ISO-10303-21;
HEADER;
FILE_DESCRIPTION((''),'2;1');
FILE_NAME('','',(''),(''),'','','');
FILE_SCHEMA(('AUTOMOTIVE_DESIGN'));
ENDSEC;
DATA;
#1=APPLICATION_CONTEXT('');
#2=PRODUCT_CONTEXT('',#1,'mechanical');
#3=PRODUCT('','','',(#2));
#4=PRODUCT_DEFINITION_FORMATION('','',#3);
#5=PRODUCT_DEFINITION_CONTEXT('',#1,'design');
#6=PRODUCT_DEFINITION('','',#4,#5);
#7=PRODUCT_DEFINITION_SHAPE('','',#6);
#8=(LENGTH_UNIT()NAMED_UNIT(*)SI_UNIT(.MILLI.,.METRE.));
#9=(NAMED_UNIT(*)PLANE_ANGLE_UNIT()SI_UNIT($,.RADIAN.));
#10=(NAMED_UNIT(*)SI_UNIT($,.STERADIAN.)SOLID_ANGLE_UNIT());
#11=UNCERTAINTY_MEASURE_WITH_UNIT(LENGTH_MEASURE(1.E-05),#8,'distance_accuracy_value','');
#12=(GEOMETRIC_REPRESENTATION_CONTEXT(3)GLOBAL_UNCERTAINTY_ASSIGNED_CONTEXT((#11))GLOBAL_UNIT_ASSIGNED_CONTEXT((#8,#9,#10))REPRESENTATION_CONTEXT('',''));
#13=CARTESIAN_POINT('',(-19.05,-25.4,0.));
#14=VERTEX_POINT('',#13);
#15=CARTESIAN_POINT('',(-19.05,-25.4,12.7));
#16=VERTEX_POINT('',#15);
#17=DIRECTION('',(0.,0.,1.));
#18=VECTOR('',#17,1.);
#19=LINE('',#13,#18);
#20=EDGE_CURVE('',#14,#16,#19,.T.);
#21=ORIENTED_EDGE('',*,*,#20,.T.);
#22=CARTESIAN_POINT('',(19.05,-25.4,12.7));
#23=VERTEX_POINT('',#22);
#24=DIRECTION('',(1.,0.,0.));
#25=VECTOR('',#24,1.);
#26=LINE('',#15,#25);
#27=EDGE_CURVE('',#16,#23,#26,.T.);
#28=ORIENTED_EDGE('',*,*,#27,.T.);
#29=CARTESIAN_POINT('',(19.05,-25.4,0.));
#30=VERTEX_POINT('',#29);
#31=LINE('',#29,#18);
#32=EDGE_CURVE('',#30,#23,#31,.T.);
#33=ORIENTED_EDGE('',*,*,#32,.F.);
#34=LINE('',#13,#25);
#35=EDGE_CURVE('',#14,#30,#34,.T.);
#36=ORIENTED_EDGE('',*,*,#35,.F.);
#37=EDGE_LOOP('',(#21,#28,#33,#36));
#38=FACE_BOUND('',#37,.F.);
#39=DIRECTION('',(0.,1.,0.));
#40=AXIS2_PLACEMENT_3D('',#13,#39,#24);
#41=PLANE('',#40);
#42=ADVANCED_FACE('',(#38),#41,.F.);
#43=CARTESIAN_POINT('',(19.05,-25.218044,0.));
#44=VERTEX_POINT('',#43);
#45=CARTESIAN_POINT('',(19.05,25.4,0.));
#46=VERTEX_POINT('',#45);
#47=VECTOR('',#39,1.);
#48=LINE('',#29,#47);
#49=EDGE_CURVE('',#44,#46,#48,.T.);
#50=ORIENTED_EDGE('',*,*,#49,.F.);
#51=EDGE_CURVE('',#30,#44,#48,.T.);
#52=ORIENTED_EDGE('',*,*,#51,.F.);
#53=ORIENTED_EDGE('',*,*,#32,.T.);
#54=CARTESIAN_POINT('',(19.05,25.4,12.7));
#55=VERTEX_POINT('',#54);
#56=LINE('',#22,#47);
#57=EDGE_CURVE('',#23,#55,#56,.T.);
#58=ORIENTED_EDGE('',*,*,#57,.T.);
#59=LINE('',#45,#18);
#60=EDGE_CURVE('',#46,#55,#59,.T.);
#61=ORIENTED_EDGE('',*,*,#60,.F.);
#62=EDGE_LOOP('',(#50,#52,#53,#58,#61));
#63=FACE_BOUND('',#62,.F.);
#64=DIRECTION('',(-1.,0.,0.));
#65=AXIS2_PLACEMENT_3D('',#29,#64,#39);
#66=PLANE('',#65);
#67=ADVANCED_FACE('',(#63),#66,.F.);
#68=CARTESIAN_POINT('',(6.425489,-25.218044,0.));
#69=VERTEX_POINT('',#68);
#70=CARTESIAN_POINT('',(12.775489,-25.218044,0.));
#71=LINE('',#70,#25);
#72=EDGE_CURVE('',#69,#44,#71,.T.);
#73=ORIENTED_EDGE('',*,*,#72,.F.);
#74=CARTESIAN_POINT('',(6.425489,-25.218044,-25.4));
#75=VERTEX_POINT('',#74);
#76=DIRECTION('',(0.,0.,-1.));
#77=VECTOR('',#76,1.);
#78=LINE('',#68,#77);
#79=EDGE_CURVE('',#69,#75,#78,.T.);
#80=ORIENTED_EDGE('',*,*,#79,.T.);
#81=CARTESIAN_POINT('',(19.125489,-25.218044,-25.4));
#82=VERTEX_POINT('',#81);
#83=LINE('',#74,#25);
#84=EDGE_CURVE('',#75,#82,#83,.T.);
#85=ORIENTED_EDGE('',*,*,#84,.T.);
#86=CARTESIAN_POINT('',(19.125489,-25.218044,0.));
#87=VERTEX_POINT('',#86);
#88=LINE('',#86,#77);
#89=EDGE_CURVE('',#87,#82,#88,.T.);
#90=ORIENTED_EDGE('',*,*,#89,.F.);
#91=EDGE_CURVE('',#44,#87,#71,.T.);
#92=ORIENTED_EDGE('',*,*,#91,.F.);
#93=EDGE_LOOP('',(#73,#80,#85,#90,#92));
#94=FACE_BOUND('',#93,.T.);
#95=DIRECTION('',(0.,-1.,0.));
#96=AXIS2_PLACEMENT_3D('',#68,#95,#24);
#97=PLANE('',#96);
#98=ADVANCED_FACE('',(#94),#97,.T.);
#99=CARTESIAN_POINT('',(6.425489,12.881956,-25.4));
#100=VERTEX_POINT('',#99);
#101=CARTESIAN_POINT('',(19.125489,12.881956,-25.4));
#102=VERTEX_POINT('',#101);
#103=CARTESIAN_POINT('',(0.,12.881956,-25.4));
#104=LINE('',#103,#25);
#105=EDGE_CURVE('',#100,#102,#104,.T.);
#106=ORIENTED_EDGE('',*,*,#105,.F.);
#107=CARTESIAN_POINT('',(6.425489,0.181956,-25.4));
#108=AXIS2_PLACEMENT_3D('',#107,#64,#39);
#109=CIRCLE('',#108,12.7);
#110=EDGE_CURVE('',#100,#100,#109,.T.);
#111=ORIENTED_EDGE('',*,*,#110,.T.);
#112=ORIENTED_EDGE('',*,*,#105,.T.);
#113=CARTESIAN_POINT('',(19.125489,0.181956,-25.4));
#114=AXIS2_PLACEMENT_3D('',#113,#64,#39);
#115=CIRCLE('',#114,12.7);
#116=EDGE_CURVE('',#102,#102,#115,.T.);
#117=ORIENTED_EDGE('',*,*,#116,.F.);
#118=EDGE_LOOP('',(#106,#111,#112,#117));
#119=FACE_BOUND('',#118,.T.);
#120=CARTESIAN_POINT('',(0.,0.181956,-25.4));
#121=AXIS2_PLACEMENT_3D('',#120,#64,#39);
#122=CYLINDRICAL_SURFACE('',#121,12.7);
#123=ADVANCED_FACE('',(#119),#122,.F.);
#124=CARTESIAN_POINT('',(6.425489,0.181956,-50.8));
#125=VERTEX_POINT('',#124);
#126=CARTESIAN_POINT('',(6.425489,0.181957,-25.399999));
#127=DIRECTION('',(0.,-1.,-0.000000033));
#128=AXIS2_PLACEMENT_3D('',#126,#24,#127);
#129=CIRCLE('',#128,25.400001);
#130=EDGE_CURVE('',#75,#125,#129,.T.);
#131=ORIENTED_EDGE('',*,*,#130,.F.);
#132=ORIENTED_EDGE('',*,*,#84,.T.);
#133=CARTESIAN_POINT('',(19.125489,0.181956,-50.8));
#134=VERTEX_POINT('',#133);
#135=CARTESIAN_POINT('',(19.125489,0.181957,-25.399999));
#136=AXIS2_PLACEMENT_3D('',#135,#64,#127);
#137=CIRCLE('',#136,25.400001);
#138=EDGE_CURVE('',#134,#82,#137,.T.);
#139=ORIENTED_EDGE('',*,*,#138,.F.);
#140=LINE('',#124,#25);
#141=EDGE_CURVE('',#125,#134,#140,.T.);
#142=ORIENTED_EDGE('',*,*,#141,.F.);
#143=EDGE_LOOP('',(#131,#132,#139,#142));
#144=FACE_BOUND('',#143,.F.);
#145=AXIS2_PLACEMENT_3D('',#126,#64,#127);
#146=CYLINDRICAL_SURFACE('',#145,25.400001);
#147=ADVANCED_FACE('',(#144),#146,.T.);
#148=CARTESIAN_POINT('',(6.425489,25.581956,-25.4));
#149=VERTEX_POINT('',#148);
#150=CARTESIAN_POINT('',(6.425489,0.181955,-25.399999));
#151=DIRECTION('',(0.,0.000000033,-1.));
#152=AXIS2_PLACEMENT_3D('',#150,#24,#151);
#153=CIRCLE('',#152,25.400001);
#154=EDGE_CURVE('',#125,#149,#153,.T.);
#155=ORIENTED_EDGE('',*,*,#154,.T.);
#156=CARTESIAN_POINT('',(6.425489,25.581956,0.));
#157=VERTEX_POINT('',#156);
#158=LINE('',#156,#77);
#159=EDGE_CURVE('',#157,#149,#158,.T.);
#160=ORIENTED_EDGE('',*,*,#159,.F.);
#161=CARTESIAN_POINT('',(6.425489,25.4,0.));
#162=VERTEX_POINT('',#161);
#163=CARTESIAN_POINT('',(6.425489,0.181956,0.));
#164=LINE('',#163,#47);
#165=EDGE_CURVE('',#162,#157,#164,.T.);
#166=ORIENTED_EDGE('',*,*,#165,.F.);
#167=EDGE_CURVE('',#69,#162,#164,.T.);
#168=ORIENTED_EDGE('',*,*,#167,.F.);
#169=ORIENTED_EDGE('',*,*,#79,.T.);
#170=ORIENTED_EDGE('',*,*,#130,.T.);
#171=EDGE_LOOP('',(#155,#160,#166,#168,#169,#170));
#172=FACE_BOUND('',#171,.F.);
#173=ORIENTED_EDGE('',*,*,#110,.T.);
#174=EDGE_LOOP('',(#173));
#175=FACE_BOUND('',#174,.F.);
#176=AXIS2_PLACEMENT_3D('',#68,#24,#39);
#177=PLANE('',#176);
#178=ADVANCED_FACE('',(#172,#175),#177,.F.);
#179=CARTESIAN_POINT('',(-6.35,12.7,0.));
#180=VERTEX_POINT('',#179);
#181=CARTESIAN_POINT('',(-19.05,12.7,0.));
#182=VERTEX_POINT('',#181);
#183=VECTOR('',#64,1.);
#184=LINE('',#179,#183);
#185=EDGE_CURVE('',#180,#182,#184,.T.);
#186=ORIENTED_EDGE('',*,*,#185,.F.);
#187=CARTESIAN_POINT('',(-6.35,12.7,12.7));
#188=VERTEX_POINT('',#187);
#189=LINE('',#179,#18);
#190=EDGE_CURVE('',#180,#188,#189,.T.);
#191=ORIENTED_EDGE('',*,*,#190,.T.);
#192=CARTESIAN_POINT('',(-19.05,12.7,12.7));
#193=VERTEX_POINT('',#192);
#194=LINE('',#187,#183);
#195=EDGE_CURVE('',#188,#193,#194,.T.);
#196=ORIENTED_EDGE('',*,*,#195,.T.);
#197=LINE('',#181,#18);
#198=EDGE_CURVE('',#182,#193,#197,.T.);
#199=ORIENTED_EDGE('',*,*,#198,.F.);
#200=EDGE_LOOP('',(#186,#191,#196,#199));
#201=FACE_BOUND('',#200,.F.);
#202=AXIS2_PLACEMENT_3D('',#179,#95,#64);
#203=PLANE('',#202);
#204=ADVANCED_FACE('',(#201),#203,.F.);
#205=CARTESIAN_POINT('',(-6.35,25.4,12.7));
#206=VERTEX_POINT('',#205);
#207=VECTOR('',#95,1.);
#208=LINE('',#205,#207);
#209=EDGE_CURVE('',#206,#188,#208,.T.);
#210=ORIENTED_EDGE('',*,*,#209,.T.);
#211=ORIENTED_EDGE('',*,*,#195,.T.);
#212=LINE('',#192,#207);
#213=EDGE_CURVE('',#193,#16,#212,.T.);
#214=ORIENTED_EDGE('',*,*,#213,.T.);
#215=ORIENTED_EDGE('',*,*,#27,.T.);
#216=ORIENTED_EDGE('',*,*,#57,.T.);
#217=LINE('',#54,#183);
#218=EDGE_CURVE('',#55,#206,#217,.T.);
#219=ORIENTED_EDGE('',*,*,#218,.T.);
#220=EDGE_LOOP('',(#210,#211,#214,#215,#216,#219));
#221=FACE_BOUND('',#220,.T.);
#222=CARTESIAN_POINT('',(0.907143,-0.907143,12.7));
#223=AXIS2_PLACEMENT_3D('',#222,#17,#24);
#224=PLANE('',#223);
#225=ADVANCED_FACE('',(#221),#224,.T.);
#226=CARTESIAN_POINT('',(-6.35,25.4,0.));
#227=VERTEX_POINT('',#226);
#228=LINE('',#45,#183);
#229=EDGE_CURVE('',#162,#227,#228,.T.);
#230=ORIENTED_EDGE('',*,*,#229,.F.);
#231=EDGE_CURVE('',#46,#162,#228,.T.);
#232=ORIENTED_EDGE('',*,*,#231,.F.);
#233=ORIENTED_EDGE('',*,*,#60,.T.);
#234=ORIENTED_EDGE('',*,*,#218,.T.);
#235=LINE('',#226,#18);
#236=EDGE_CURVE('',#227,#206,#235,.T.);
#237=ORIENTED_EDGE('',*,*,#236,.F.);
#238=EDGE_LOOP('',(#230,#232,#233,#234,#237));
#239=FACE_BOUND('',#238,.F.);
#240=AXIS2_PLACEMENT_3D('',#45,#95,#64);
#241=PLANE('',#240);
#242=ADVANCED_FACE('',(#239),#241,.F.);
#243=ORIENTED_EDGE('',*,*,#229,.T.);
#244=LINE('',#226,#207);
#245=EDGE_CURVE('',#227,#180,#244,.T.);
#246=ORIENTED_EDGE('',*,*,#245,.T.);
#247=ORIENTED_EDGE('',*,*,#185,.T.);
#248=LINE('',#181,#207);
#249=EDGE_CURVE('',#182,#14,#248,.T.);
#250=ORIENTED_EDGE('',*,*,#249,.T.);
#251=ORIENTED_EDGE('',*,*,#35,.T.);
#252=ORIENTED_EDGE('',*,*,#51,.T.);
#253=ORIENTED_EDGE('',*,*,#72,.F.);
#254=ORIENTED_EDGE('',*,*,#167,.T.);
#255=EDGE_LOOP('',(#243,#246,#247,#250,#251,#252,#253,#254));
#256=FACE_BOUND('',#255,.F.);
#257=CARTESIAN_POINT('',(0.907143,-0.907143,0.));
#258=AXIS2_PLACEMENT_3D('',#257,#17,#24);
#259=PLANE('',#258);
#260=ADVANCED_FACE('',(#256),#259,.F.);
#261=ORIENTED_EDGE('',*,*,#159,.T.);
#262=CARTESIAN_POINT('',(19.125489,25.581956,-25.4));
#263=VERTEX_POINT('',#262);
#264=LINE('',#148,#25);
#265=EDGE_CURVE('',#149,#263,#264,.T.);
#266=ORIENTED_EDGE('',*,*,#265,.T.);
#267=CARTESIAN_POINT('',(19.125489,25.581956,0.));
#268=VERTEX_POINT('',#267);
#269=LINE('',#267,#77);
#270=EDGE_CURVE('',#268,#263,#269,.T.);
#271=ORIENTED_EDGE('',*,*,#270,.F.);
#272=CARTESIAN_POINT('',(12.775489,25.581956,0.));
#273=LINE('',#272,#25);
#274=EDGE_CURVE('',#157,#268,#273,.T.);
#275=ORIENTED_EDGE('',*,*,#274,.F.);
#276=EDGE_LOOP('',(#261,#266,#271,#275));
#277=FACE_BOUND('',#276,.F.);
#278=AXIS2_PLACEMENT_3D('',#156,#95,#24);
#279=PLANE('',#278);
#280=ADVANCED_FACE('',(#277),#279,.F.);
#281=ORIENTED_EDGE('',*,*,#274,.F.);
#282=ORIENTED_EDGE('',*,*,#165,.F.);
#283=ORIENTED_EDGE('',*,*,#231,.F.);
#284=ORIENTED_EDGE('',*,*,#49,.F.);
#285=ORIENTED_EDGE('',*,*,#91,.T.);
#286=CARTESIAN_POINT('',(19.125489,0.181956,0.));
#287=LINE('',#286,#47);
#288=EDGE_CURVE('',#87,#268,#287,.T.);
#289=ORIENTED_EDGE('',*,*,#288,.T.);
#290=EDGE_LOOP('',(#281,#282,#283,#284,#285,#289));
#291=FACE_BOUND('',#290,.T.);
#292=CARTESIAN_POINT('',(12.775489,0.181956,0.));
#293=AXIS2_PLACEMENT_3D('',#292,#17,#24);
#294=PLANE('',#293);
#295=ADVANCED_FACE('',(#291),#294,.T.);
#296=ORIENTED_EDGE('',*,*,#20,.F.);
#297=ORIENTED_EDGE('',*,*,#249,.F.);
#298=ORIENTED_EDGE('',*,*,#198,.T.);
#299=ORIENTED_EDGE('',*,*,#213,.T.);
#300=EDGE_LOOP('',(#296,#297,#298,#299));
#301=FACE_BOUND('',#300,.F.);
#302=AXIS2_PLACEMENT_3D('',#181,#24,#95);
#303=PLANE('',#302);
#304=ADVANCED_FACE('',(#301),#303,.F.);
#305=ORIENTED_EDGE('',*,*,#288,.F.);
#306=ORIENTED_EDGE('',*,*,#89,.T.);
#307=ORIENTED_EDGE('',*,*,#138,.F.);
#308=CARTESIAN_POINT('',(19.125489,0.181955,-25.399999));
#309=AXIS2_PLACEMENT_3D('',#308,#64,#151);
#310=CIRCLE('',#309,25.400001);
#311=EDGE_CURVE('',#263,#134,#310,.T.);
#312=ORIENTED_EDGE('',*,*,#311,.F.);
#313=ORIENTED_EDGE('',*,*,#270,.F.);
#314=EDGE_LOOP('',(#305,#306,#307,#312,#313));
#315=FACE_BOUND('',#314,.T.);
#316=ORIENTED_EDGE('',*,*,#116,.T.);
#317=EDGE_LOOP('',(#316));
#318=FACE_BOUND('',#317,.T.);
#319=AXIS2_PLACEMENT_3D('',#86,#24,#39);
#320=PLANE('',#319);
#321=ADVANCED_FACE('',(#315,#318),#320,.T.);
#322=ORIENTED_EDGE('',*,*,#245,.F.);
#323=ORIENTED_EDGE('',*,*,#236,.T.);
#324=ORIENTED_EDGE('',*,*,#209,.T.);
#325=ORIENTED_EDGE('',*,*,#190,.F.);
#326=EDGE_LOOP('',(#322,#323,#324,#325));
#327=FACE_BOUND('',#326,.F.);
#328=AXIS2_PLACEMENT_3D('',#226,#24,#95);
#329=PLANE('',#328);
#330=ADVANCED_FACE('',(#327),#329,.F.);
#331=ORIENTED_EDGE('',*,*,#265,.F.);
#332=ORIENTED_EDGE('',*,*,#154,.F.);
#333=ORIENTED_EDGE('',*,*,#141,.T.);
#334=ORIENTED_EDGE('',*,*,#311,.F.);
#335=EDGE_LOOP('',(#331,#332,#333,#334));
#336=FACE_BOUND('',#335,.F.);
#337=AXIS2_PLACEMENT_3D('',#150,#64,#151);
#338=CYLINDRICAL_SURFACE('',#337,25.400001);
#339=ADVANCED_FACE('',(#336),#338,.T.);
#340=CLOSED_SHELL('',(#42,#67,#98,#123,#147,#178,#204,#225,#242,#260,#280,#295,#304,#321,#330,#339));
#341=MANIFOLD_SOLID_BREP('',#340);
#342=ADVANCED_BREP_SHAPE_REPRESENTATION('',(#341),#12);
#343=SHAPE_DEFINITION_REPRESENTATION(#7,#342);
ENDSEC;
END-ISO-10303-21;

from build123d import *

# Parameters (mm, degrees)
F1_DEPTH = 12.7
F2_W     = 12.7
F2_H     = 50.8
F3_DEPTH = 50.8
F4_R     = 12.7
F5_DEPTH = 21.59
F7_DEPTH = 25.4


with BuildPart() as f1:
    # F0 (on Top) → F1 (new body)
    with BuildSketch(Plane.XY):
        Polygon((19.05, -25.4), (19.05, 25.4), (-6.35, 25.4), (-6.35, 12.7), (-19.05, 12.7), (-19.05, -25.4), align=None)
    extrude(amount=F1_DEPTH)

    # F2 (on Top) → F3 (join)
    with BuildSketch(Plane.XY):
        with Locations((12.775489, 0.181956)):
            Rectangle(F2_W, F2_H)
    extrude(amount=-F3_DEPTH)

    # F4 (on Right) → F5 (cut)
    with BuildSketch(Plane.YZ):
        with Locations((0.181956, -25.4)):
            Circle(F4_R)
    extrude(amount=F5_DEPTH, mode=Mode.SUBTRACT)

    # F6 (on face) → F7 (cut)
    with BuildSketch(Plane(origin=(6.425489, 0, 0), x_dir=(0, -1, 0), z_dir=(-1, 0, 0))):
        with BuildLine():
            ThreePointArc((25.218044, -25.4), (17.778556, -43.360512), (-0.181956, -50.8))
            Line((-0.181956, -50.8), (25.218044, -50.8))
            Line((25.218044, -50.8), (25.218044, -25.4))
        make_face()
        with BuildLine():
            ThreePointArc((-0.181956, -50.8), (-18.142468, -43.360512), (-25.581956, -25.4))
            Line((-25.581956, -25.4), (-25.581956, -50.8))
            Line((-25.581956, -50.8), (-0.181956, -50.8))
        make_face()
    extrude(amount=-F7_DEPTH, mode=Mode.SUBTRACT)


solid = f1.part
